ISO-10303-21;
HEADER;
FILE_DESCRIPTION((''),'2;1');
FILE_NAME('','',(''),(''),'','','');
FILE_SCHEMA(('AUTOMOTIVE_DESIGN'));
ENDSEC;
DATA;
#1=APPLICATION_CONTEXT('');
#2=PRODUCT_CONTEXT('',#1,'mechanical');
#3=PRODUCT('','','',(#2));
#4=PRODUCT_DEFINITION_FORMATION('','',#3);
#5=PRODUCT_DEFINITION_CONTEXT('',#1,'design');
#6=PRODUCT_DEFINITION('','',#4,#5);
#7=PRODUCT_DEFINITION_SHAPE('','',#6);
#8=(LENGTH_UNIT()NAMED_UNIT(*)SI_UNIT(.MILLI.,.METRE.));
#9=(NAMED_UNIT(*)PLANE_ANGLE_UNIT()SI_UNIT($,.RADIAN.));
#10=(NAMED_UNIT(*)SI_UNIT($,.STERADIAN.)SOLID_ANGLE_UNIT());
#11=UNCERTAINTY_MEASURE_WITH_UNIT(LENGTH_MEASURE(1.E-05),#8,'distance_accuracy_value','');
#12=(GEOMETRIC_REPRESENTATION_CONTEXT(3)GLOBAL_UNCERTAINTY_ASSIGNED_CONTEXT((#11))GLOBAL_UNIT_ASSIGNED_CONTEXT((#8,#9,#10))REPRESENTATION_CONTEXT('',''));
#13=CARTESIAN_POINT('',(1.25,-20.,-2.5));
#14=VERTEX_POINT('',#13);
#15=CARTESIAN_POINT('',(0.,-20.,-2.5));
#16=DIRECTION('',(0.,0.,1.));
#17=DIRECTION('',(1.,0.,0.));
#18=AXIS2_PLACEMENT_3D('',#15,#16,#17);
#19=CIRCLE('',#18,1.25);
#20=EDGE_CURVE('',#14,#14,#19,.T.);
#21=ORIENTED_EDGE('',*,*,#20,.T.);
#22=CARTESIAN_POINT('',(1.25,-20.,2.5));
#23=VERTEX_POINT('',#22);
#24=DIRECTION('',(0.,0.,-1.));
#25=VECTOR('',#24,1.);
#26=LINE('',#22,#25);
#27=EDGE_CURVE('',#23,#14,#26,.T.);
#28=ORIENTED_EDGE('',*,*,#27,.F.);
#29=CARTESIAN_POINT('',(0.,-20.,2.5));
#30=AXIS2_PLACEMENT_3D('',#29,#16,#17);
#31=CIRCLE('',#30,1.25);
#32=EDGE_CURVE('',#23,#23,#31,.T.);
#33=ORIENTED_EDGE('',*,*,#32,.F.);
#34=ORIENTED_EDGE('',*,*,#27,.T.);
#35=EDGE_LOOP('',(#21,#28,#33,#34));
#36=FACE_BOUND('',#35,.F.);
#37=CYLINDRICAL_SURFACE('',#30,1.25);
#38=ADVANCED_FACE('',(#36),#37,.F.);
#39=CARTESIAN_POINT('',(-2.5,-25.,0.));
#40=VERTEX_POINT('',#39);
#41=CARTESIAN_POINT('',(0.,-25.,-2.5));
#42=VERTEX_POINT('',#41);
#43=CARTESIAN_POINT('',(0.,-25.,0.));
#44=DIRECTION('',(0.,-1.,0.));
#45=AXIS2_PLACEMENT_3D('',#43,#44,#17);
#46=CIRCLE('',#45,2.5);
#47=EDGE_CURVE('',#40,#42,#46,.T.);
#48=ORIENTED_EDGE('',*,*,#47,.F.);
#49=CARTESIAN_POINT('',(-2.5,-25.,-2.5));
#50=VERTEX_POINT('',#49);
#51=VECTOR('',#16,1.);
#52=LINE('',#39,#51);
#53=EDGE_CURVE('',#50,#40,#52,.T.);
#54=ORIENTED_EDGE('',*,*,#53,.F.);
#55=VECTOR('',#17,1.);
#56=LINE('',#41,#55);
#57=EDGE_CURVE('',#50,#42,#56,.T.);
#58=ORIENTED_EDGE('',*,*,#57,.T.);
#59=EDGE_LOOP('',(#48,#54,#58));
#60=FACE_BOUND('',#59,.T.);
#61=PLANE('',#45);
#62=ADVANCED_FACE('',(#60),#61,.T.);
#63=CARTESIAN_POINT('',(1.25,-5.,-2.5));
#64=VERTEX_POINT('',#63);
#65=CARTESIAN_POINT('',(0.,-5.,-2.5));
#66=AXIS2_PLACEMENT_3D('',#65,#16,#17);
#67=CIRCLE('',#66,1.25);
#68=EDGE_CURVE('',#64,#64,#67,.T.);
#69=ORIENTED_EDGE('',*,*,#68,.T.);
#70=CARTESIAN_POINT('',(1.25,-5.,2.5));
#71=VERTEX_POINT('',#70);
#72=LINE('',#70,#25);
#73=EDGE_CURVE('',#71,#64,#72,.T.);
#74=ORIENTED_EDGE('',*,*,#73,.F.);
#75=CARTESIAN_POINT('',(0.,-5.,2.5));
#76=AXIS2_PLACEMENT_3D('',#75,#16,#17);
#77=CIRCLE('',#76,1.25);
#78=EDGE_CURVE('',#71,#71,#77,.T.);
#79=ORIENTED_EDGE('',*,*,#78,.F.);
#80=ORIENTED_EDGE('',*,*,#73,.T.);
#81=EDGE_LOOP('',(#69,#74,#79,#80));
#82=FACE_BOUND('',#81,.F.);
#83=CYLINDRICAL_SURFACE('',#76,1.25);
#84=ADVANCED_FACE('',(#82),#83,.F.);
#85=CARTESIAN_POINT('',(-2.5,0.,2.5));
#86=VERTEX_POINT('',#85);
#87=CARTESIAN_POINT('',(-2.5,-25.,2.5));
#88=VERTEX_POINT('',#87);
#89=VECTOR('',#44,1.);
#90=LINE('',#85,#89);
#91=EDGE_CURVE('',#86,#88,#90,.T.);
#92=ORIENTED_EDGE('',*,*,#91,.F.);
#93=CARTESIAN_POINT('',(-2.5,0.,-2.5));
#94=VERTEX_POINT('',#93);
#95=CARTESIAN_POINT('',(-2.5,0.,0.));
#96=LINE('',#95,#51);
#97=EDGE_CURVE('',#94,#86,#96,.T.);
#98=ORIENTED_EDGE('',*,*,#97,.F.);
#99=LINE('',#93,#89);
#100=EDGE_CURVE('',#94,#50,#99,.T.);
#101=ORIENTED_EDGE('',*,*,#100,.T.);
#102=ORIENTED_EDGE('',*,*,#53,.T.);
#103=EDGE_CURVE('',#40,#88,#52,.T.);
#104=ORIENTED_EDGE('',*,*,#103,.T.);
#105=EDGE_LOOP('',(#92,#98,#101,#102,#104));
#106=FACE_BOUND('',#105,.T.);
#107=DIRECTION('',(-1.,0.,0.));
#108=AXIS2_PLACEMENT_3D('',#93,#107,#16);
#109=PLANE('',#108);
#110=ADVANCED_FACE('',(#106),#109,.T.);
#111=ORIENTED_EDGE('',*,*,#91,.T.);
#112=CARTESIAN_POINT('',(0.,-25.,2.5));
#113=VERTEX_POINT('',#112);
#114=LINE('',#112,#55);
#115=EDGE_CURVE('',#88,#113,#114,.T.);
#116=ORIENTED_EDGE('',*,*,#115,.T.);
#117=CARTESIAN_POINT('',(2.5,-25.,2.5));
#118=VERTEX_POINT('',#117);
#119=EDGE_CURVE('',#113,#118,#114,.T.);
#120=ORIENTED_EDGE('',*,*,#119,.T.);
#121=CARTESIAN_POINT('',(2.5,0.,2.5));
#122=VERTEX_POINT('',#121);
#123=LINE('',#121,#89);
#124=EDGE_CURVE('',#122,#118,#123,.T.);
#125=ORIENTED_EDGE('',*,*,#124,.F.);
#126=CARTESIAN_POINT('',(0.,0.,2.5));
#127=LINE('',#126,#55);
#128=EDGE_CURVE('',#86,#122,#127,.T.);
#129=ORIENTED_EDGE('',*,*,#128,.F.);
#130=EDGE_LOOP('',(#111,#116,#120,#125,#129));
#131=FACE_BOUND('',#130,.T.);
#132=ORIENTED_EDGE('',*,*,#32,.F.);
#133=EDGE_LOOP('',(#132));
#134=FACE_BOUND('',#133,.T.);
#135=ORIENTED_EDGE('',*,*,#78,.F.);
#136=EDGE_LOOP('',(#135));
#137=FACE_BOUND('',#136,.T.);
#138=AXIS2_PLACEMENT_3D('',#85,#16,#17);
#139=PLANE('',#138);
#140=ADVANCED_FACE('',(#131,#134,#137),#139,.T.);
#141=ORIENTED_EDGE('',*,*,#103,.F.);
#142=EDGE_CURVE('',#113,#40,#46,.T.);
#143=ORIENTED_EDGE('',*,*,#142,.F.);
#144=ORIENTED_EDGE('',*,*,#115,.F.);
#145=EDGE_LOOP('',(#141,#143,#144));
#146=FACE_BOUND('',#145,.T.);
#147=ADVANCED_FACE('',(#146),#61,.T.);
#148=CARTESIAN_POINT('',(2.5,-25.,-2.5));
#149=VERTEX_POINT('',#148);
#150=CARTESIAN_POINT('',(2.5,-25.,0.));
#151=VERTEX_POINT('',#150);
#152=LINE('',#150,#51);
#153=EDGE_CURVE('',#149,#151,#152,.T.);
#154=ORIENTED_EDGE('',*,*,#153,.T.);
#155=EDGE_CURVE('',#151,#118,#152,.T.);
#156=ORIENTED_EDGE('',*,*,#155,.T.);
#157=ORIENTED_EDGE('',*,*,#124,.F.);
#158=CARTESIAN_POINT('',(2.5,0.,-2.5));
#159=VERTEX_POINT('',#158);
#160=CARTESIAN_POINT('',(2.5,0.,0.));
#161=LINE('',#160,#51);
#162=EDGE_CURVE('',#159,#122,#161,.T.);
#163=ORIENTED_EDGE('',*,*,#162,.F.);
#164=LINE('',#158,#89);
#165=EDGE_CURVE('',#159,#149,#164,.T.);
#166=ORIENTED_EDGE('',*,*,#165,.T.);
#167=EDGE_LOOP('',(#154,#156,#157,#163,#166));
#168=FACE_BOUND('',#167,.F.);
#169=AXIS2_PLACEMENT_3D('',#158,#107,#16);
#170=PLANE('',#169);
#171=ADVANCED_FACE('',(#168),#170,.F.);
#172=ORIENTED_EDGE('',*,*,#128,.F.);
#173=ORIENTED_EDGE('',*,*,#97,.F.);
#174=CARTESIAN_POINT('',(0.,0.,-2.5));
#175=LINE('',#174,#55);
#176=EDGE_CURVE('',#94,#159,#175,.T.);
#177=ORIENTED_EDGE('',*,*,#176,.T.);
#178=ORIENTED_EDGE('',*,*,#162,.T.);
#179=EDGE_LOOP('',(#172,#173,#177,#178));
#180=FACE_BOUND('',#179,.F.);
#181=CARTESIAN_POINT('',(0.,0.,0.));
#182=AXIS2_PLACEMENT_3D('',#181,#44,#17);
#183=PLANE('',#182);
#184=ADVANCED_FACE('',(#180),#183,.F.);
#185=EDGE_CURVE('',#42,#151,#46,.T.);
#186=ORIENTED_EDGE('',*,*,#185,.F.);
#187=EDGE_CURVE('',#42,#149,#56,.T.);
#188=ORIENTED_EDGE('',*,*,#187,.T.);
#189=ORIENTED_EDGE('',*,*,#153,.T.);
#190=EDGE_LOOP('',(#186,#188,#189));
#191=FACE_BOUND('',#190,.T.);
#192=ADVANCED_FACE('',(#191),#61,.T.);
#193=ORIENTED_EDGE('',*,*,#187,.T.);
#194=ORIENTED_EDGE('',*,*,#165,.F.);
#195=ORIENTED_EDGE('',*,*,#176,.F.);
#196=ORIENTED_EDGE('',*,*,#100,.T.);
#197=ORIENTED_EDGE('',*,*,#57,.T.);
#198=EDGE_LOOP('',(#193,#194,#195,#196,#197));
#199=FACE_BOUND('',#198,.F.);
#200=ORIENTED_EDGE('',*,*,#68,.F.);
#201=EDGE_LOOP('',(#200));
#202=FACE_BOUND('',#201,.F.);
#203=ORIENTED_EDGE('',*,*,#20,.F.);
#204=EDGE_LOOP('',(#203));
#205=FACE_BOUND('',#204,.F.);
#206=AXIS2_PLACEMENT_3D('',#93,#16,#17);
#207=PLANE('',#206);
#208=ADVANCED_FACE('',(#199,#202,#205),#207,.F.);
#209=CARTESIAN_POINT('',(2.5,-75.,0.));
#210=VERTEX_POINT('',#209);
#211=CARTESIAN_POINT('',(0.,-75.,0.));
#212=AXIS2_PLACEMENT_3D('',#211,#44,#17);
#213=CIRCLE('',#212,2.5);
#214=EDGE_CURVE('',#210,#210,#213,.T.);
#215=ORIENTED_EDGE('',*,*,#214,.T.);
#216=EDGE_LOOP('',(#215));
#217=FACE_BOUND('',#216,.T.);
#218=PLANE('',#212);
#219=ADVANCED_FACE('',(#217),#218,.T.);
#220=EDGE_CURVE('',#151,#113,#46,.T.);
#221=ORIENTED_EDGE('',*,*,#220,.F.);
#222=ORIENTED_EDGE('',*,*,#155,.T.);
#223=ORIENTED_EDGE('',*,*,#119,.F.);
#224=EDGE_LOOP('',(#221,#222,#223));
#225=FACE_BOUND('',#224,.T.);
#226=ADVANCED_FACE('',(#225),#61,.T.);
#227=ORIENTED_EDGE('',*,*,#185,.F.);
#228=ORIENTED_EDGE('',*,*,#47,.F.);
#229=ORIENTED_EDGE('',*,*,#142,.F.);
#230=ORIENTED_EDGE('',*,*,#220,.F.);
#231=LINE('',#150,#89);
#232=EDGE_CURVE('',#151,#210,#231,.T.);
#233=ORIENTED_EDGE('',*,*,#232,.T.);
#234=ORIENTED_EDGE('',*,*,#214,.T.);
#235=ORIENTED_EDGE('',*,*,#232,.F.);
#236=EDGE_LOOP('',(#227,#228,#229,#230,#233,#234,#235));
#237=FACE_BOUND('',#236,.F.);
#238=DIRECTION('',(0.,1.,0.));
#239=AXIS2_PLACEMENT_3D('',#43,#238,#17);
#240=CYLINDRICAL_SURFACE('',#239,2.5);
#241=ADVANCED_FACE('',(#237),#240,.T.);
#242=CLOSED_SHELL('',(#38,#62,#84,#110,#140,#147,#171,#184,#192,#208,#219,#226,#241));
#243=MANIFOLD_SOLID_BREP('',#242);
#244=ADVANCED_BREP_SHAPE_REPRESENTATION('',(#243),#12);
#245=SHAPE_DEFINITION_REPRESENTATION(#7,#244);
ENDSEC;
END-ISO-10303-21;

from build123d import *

# Parameters (mm, degrees)
F0_W     = 5
F0_H     = 5
F1_DEPTH = 25
F2_R     = 2.5
F3_DEPTH = 50
F4_R     = 1.25
F5_DEPTH = 25


with BuildPart() as f1:
    # F0 (on Front) → F1 (new body)
    with BuildSketch(Plane.XZ):
        Rectangle(F0_W, F0_H)
    extrude(amount=F1_DEPTH)

    # F2 (on face) → F3 (join)
    with BuildSketch(Plane.XZ.offset(25)):
        Circle(F2_R)
    extrude(amount=F3_DEPTH)

    # F4 (on face) → F5 (cut)
    with BuildSketch(Plane.XY.offset(2.5)):
        with Locations((0, -5)):
            Circle(F4_R)
        with Locations((0, -20)):
            Circle(F4_R)
    extrude(amount=-F5_DEPTH, mode=Mode.SUBTRACT)


solid = f1.part
